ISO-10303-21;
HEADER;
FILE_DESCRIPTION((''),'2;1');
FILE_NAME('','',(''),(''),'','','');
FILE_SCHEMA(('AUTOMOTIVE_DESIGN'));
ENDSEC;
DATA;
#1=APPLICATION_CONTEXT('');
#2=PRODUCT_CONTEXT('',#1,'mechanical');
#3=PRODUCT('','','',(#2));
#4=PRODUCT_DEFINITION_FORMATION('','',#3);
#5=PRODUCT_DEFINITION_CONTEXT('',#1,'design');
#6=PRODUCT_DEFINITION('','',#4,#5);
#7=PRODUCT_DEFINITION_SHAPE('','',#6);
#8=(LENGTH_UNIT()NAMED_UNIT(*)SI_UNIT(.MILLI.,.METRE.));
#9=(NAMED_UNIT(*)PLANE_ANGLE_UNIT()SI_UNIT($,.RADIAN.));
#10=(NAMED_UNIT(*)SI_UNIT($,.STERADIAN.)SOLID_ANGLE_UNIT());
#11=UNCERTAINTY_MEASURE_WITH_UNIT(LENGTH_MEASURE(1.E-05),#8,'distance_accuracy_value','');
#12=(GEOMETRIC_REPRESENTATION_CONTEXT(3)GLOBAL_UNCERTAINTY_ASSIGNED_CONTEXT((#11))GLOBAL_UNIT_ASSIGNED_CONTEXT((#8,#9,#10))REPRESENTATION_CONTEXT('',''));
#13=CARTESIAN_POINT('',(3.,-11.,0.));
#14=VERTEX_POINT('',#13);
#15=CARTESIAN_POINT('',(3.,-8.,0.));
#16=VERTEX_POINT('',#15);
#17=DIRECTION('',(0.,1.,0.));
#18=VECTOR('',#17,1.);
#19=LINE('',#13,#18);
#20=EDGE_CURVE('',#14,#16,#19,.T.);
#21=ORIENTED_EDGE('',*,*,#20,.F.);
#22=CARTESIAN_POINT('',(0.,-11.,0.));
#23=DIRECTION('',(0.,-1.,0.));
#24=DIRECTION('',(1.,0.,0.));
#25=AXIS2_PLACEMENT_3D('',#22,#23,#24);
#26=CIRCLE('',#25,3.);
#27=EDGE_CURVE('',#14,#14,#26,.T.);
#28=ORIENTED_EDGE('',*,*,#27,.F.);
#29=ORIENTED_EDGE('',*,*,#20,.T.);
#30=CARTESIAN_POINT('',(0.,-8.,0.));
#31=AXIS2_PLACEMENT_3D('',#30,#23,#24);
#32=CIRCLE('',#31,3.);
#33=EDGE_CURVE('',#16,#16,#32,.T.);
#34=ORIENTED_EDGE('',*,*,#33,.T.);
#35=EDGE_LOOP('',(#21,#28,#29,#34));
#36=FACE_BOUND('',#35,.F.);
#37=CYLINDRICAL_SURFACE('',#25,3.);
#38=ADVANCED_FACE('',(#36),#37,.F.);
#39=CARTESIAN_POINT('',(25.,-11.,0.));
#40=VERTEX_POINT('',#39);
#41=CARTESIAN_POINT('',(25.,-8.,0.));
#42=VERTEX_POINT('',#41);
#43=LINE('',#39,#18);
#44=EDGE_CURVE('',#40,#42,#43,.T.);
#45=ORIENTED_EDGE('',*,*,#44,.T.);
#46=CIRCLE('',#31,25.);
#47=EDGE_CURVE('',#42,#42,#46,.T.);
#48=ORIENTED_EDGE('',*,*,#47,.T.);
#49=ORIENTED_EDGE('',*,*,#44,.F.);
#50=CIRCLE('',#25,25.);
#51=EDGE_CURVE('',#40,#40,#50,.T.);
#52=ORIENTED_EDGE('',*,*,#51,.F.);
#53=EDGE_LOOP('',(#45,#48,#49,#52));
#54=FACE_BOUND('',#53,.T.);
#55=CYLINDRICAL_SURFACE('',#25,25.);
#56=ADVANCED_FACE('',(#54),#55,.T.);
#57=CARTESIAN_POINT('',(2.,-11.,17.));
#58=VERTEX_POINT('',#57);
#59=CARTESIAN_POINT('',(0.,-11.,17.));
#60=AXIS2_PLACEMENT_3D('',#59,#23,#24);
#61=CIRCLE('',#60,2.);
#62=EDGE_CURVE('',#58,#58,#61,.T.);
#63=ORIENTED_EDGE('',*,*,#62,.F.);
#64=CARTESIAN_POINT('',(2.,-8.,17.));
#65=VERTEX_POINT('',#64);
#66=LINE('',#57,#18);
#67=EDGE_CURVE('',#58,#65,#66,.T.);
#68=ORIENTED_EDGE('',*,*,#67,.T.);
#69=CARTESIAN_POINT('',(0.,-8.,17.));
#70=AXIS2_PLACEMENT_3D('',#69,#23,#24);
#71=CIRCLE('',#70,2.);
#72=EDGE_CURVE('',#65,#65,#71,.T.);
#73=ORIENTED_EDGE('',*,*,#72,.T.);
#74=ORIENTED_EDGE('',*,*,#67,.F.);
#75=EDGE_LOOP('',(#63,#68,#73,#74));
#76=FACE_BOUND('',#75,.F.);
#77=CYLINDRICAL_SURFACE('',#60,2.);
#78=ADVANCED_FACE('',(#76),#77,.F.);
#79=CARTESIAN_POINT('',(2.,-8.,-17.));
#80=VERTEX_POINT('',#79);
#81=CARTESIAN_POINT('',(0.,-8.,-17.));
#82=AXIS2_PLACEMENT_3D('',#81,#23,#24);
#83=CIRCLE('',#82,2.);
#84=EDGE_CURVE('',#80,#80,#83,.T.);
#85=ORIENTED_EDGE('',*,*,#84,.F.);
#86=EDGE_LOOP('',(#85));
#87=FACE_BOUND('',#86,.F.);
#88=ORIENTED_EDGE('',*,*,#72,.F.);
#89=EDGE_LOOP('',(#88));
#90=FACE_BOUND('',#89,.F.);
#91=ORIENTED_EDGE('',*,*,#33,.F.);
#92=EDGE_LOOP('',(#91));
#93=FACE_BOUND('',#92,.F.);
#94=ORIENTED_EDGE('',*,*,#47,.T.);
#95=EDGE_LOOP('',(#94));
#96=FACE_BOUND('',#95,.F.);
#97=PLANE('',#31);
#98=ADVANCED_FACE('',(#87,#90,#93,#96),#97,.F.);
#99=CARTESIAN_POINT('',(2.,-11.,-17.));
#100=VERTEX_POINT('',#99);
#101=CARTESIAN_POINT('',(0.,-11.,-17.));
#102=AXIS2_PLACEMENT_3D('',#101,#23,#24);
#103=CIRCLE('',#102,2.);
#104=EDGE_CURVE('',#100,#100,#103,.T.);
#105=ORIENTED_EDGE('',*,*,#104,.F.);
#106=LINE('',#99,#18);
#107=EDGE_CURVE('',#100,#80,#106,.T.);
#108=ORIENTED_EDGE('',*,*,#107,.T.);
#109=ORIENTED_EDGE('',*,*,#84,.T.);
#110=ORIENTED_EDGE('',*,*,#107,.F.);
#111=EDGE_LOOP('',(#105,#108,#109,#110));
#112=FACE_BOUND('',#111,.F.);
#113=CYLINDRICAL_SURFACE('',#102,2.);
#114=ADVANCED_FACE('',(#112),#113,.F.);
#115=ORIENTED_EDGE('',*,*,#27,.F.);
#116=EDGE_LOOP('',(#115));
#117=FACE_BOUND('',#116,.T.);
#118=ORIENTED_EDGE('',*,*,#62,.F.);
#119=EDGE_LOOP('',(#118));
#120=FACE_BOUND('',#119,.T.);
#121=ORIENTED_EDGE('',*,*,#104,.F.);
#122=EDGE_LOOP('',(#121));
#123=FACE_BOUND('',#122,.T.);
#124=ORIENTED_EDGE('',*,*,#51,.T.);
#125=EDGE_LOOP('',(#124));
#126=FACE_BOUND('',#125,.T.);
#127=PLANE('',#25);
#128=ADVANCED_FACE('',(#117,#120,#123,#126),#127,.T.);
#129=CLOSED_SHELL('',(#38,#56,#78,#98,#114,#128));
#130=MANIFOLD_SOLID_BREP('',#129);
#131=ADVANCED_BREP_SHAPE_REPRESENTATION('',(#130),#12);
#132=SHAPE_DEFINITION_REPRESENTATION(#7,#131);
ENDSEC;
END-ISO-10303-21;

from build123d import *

# Parameters (mm, degrees)
SKETCH_AS_DRAWN_R              = 25
SKETCH_AS_DRAWN_R_2            = 3
SKETCH_AS_DRAWN_R_3            = 2
EXTRUDE_DEPTH                  = 3
EXTRUDE_ONTO_SKETCH_ROLL_ANGLE = 90


with BuildPart() as part:
    # Sketch as drawn → Extrude (new)
    with BuildSketch(Plane.XY):
        Circle(SKETCH_AS_DRAWN_R)
        Circle(SKETCH_AS_DRAWN_R_2, mode=Mode.SUBTRACT)
        with Locations((0, 17)):
            Circle(SKETCH_AS_DRAWN_R_3, mode=Mode.SUBTRACT)
        with Locations((0, -17)):
            Circle(SKETCH_AS_DRAWN_R_3, mode=Mode.SUBTRACT)
    extrude(amount=-EXTRUDE_DEPTH)


with BuildPart() as part_1:
    # Extrude onto Sketch roll: moved
    add(part.part.rotate(Axis((0, 0, 0), (1, 0, 0)), EXTRUDE_ONTO_SKETCH_ROLL_ANGLE))


with BuildPart() as part_2:
    # Extrude onto Sketch placement: moved
    add(part_1.part)


with BuildPart() as part_3:
    # Extrude placement: moved
    add(part_2.part.moved(Location((0, -11, 0))))


solid = part_3.part
